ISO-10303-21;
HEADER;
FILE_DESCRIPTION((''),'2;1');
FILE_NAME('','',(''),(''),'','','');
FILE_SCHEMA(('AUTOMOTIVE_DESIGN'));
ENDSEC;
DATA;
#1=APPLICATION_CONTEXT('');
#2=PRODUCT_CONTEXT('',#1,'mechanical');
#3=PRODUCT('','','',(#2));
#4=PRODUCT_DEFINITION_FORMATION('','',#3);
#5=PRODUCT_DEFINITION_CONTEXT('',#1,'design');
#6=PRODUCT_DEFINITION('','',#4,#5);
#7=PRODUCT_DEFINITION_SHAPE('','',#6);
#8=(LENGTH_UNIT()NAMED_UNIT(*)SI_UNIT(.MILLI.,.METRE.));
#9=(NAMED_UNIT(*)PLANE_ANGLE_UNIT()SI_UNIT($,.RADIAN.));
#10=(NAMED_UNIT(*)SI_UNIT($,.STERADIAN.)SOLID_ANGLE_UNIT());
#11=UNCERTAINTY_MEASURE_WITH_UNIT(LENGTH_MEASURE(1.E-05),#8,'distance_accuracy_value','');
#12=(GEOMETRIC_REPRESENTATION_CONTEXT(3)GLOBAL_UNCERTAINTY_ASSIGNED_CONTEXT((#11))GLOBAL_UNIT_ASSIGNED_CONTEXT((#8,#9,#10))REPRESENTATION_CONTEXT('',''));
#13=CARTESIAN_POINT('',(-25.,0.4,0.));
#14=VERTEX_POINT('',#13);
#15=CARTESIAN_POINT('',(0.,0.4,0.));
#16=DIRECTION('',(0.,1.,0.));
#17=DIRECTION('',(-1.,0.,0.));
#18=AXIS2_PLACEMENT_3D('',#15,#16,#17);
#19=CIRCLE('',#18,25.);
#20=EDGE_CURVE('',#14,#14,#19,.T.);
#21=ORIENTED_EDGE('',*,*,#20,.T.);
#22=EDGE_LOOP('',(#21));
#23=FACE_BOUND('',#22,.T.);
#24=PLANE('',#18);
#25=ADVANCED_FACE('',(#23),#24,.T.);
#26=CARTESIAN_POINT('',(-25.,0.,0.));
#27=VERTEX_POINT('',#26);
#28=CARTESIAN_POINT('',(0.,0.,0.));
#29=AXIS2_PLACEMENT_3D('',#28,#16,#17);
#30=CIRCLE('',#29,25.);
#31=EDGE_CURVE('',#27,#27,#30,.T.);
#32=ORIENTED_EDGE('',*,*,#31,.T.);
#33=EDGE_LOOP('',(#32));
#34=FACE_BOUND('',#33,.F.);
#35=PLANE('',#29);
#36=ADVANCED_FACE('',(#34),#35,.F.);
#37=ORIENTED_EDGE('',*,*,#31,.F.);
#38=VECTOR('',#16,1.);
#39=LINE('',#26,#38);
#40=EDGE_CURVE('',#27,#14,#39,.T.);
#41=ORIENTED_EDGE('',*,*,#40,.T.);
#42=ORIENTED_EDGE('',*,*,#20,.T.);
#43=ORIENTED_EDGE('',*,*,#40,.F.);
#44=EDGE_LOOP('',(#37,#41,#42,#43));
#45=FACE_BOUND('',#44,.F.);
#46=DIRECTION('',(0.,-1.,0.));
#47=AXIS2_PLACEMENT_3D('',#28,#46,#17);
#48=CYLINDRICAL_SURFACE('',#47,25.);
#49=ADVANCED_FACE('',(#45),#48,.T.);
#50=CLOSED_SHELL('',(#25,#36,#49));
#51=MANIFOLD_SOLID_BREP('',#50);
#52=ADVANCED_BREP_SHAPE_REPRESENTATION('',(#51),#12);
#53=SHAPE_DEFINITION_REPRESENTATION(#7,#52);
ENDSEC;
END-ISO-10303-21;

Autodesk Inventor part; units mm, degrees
ref_plane "YZ Plane" through (0, 0, 0) normal (1, 0, 0) x (0, 1, 0)
ref_plane "XZ Plane" through (0, 0, 0) normal (0, 1, 0) x (-1, 0, 0)
ref_plane "XY Plane" through (0, 0, 0) normal (0, 0, 1) x (1, 0, 0)
sketch "Эскиз1" plane through (0, 0, 0) normal (0, 1, 0) x (-1, 0, 0)
  circle A0 centre (0, 0) radius 25
  dimension "d0" = 50
extrude "Выдавливание1" add sketch "Эскиз1" along normal blind 0.4
properties part number "50_Blue"
